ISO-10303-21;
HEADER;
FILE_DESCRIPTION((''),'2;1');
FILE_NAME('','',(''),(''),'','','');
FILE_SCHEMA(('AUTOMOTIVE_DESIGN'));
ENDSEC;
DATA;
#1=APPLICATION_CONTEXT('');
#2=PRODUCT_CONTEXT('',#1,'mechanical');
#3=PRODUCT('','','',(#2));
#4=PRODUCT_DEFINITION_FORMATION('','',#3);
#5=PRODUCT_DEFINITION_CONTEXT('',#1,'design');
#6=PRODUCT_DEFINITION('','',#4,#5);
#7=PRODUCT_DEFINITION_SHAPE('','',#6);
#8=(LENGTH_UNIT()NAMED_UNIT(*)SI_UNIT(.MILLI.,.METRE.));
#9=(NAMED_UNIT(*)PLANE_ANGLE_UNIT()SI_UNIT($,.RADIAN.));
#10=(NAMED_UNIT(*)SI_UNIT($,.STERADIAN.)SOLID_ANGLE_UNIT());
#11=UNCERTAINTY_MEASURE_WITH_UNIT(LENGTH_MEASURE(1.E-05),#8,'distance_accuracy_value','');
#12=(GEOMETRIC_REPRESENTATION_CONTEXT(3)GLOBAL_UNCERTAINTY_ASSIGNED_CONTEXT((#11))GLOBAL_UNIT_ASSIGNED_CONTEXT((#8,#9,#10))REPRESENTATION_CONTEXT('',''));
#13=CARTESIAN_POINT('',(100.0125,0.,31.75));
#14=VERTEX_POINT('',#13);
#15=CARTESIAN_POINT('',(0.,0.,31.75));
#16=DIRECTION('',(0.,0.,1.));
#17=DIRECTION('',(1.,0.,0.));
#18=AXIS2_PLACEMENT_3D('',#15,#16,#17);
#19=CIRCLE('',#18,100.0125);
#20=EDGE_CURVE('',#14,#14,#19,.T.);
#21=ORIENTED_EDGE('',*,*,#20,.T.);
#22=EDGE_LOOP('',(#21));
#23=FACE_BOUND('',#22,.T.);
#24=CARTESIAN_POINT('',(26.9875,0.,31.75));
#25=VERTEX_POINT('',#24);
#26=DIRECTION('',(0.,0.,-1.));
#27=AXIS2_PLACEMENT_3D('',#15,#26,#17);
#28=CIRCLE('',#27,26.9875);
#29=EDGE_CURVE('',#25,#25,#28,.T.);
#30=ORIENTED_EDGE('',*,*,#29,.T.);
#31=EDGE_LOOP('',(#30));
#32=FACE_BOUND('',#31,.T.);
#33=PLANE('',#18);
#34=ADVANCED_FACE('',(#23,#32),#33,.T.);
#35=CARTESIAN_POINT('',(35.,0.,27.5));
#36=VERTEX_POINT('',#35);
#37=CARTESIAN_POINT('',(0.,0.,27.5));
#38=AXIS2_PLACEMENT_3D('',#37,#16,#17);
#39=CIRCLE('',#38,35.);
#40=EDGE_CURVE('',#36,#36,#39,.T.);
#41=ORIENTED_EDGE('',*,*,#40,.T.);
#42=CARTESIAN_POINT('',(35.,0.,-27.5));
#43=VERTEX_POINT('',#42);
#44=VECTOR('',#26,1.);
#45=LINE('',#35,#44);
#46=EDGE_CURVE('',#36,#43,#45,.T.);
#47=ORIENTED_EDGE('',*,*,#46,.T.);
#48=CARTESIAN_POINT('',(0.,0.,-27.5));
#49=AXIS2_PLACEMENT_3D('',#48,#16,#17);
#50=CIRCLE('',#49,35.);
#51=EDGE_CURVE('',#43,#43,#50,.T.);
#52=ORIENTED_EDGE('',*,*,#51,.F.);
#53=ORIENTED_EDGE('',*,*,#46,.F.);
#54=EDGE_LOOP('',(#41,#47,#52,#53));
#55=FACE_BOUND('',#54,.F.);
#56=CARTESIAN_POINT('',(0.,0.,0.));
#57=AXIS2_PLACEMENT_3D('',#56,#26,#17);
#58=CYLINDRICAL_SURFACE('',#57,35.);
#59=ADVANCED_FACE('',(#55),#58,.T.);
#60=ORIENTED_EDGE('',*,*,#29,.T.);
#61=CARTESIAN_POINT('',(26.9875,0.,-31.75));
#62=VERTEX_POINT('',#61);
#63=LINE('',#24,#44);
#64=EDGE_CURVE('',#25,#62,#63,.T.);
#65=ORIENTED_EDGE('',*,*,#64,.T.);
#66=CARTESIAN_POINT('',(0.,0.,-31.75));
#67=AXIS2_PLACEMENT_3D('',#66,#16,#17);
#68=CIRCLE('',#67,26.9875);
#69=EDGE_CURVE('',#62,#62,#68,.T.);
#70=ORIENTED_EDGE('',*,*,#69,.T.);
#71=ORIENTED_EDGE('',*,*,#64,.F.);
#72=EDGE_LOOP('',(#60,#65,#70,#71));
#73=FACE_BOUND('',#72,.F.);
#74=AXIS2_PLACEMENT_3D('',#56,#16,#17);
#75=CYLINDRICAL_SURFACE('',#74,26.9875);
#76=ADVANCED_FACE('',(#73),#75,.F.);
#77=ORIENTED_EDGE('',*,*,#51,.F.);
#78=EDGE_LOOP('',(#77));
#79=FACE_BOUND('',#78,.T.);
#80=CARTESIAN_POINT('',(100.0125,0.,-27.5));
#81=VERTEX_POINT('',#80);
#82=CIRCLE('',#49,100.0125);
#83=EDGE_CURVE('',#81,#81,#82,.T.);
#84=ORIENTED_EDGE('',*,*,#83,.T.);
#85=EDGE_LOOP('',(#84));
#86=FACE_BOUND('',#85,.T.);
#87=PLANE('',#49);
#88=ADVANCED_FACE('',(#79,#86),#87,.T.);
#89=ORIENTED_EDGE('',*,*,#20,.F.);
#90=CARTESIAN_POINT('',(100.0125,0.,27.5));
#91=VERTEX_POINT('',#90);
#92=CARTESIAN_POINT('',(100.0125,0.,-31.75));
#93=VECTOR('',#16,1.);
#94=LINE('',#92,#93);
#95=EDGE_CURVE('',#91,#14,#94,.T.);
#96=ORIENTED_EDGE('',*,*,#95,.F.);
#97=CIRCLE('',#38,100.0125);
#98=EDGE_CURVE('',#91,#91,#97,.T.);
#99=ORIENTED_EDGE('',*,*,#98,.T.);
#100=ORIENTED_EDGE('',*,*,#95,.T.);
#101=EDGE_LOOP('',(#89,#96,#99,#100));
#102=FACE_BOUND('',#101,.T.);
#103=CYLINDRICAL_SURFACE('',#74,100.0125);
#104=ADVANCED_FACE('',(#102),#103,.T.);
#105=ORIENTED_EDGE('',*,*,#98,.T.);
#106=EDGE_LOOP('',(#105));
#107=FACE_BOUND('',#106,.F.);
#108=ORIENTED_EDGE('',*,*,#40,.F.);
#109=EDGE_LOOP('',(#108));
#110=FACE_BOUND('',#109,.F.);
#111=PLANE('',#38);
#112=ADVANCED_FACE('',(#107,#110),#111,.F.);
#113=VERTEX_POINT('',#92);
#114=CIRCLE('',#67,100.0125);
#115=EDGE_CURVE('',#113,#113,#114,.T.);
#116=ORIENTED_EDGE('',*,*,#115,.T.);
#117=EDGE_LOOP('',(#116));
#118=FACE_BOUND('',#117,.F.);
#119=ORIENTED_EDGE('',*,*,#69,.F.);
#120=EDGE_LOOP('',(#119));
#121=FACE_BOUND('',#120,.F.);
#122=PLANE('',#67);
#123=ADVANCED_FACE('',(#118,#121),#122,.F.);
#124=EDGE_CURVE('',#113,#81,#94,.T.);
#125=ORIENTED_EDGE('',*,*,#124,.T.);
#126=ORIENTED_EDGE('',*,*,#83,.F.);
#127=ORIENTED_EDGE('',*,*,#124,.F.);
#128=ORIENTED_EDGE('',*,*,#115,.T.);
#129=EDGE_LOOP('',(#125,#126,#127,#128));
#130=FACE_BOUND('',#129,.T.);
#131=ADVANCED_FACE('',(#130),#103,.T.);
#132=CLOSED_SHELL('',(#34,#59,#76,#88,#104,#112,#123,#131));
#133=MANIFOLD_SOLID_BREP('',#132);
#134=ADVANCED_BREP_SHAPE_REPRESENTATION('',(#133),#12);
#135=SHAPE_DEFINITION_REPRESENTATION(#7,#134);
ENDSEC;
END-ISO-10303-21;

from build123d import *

# Parameters (mm, degrees)
F0_R          = 100.0125
F1_DEPTH      = 31.75
F2_R          = 125
F2_R_2        = 35
F3_DEPTH      = 27.5
F4_R          = 26.9875
F5_DEPTH      = 31.751
F5_DEPTH_BACK = 31.751


with BuildPart() as f1:
    # F0 (on Top) → F1 (new body, symmetric)
    with BuildSketch(Plane.XY):
        Circle(F0_R)
    extrude(amount=F1_DEPTH, both=True)

    # F2 (on Top) → F3 (cut, symmetric)
    with BuildSketch(Plane.XY):
        Circle(F2_R)
        Circle(F2_R_2, mode=Mode.SUBTRACT)
    extrude(amount=F3_DEPTH, both=True, mode=Mode.SUBTRACT)

    # F4 (on Top) → F5 (cut, two sides)
    with BuildSketch(Plane.XY) as f5_sk:
        Circle(F4_R)
    extrude(amount=-F5_DEPTH, mode=Mode.SUBTRACT)
    extrude(f5_sk.sketch, amount=F5_DEPTH_BACK, mode=Mode.SUBTRACT)


solid = f1.part
